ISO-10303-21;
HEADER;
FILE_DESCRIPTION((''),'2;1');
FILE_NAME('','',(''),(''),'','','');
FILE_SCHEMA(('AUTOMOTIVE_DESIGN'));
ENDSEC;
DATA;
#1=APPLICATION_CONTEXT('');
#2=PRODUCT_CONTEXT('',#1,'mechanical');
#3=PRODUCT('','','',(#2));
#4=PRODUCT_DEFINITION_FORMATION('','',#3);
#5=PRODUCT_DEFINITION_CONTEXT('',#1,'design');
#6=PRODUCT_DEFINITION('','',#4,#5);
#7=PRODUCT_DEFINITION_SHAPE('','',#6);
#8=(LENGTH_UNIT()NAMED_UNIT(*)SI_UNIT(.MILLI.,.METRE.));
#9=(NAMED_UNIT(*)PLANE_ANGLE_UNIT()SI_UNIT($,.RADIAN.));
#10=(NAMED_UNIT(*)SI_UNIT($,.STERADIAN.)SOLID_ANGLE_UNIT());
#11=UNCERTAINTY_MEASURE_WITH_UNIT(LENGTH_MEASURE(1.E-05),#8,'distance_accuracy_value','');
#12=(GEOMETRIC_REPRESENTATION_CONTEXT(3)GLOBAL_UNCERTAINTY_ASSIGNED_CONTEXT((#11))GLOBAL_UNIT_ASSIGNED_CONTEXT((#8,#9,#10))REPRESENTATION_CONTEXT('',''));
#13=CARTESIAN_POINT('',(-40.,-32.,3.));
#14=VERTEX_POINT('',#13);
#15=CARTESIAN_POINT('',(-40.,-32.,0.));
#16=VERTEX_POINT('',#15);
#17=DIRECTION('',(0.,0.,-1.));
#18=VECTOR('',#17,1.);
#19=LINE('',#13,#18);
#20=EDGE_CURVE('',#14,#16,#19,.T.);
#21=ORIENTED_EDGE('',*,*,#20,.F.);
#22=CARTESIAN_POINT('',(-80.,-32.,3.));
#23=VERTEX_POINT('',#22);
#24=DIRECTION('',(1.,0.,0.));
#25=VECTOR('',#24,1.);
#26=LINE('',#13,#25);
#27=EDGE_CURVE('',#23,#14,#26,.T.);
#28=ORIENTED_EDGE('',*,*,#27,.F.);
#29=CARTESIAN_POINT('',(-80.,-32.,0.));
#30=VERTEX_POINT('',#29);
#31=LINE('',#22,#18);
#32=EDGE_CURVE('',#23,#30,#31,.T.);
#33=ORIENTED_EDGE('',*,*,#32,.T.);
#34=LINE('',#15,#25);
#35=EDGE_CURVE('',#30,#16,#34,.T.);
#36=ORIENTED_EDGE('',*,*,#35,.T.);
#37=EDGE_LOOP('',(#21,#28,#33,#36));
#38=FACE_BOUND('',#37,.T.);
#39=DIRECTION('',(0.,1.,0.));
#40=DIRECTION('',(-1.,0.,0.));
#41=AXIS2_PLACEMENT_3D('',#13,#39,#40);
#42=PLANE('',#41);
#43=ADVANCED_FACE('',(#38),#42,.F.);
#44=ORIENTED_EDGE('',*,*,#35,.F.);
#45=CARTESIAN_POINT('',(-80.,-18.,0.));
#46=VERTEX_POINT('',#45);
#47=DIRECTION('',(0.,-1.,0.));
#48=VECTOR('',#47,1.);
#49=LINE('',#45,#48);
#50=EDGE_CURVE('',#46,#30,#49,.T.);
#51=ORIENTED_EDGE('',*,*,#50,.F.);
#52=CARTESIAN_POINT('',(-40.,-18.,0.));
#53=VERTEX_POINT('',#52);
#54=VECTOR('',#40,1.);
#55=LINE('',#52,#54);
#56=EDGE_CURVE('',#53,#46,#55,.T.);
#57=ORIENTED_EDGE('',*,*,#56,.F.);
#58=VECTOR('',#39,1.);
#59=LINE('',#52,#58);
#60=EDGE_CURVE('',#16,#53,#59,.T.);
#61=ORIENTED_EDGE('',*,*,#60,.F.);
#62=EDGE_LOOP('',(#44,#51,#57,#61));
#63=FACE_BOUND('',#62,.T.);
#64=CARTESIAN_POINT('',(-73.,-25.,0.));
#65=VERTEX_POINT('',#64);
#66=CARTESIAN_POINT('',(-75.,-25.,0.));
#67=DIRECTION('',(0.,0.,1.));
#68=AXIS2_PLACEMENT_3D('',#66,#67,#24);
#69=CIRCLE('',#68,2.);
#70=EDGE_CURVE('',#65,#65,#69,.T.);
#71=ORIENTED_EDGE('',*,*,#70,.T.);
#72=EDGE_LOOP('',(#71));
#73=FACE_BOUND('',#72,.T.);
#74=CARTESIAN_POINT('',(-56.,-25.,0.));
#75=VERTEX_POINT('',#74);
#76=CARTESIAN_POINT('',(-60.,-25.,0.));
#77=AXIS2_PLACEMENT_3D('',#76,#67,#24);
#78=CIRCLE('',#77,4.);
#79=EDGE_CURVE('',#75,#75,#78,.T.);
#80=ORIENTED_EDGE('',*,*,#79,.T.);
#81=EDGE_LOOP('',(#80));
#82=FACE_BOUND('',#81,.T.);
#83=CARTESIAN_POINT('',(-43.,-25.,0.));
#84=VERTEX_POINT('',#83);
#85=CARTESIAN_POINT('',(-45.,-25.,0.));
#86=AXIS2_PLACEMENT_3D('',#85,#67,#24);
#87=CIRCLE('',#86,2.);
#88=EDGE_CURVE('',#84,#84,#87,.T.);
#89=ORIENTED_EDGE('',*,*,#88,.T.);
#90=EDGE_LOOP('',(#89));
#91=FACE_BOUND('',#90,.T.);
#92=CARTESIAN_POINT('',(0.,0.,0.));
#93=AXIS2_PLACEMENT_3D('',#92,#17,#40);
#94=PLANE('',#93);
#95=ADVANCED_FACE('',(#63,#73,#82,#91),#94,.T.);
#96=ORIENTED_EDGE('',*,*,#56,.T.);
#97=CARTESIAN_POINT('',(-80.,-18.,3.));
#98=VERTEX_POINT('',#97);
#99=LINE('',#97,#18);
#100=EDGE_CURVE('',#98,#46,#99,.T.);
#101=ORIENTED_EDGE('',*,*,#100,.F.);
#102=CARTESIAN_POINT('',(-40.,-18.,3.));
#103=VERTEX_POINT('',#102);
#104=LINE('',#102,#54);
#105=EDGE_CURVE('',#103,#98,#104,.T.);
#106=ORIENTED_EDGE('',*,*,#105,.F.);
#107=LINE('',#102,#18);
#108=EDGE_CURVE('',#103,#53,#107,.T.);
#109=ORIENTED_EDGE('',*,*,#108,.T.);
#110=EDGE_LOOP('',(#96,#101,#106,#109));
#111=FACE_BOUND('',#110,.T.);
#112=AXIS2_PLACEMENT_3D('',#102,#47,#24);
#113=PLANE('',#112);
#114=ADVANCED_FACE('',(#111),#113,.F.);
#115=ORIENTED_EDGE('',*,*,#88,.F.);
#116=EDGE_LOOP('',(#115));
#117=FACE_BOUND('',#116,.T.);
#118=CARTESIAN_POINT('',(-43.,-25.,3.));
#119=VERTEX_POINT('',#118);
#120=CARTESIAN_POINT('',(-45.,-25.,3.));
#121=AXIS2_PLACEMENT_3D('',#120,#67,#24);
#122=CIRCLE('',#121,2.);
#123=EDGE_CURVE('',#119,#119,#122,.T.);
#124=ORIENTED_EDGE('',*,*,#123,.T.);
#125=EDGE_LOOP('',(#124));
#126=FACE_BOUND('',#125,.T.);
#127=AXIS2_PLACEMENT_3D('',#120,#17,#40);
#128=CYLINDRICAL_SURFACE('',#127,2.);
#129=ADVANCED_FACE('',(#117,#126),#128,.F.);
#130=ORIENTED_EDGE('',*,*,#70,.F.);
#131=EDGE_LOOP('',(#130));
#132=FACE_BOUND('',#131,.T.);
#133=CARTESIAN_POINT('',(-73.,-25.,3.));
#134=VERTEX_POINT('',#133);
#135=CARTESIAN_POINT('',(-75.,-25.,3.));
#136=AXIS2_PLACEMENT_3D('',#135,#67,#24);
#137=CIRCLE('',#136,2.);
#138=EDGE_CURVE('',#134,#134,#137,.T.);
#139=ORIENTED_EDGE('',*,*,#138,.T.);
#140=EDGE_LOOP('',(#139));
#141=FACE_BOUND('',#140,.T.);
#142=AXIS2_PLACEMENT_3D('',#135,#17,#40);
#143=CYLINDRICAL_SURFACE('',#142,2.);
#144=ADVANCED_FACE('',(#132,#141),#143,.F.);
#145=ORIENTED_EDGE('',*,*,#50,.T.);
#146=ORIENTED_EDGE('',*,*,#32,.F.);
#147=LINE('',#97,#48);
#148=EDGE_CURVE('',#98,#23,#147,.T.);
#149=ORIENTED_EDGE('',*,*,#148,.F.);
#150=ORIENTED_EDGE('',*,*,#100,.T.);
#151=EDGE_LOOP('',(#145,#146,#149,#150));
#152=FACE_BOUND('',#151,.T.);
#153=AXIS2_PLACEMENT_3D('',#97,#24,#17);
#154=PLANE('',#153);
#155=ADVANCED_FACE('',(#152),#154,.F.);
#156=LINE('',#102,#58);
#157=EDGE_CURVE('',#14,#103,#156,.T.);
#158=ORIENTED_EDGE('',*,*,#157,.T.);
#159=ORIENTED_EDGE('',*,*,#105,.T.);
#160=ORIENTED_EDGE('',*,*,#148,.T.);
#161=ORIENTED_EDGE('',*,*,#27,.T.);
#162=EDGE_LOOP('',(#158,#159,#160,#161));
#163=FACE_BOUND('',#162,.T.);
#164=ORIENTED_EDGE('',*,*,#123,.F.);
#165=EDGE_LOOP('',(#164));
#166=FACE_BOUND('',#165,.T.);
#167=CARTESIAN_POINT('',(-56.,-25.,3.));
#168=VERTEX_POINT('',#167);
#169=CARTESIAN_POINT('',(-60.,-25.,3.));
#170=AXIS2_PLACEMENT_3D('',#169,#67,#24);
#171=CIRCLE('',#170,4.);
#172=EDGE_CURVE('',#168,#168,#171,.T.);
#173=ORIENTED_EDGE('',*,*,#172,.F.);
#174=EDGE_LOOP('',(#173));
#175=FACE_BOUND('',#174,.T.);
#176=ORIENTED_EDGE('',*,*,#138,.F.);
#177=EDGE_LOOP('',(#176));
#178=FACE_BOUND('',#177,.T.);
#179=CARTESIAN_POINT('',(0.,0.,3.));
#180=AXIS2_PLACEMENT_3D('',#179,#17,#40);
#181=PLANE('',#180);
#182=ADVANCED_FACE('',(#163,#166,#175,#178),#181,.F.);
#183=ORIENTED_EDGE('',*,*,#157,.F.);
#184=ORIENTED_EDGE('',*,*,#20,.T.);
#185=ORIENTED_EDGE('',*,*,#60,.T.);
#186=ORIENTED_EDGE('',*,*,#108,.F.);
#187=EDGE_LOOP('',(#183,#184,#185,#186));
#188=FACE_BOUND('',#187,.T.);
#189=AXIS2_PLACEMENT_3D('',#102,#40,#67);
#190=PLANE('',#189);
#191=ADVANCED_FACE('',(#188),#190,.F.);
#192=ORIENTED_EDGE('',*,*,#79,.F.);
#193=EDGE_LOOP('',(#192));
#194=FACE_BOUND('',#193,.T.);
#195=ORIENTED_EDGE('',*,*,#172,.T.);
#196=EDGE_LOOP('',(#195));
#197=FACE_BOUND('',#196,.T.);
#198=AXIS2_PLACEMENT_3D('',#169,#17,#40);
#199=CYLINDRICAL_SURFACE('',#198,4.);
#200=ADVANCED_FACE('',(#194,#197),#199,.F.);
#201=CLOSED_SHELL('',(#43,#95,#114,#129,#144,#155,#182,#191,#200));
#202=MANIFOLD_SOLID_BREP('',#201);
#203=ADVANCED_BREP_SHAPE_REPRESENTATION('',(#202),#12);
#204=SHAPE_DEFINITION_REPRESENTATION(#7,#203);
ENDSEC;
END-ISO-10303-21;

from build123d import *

# Parameters (mm, degrees)
SKETCH1_W           = 40
SKETCH1_H           = 14
SKETCH1_R           = 2
SKETCH1_R_2         = 4
BOSS_EXTRUDE1_DEPTH = 3


with BuildPart() as part:
    # Sketch1 → Boss-Extrude1 (new body)
    with BuildSketch(Plane.XY):
        with Locations((-60, -25)):
            Rectangle(SKETCH1_W, SKETCH1_H)
        with Locations((-45, -25)):
            Circle(SKETCH1_R, mode=Mode.SUBTRACT)
        with Locations((-75, -25)):
            Circle(SKETCH1_R, mode=Mode.SUBTRACT)
        with Locations((-60, -25)):
            Circle(SKETCH1_R_2, mode=Mode.SUBTRACT)
    extrude(amount=BOSS_EXTRUDE1_DEPTH)


solid = part.part
